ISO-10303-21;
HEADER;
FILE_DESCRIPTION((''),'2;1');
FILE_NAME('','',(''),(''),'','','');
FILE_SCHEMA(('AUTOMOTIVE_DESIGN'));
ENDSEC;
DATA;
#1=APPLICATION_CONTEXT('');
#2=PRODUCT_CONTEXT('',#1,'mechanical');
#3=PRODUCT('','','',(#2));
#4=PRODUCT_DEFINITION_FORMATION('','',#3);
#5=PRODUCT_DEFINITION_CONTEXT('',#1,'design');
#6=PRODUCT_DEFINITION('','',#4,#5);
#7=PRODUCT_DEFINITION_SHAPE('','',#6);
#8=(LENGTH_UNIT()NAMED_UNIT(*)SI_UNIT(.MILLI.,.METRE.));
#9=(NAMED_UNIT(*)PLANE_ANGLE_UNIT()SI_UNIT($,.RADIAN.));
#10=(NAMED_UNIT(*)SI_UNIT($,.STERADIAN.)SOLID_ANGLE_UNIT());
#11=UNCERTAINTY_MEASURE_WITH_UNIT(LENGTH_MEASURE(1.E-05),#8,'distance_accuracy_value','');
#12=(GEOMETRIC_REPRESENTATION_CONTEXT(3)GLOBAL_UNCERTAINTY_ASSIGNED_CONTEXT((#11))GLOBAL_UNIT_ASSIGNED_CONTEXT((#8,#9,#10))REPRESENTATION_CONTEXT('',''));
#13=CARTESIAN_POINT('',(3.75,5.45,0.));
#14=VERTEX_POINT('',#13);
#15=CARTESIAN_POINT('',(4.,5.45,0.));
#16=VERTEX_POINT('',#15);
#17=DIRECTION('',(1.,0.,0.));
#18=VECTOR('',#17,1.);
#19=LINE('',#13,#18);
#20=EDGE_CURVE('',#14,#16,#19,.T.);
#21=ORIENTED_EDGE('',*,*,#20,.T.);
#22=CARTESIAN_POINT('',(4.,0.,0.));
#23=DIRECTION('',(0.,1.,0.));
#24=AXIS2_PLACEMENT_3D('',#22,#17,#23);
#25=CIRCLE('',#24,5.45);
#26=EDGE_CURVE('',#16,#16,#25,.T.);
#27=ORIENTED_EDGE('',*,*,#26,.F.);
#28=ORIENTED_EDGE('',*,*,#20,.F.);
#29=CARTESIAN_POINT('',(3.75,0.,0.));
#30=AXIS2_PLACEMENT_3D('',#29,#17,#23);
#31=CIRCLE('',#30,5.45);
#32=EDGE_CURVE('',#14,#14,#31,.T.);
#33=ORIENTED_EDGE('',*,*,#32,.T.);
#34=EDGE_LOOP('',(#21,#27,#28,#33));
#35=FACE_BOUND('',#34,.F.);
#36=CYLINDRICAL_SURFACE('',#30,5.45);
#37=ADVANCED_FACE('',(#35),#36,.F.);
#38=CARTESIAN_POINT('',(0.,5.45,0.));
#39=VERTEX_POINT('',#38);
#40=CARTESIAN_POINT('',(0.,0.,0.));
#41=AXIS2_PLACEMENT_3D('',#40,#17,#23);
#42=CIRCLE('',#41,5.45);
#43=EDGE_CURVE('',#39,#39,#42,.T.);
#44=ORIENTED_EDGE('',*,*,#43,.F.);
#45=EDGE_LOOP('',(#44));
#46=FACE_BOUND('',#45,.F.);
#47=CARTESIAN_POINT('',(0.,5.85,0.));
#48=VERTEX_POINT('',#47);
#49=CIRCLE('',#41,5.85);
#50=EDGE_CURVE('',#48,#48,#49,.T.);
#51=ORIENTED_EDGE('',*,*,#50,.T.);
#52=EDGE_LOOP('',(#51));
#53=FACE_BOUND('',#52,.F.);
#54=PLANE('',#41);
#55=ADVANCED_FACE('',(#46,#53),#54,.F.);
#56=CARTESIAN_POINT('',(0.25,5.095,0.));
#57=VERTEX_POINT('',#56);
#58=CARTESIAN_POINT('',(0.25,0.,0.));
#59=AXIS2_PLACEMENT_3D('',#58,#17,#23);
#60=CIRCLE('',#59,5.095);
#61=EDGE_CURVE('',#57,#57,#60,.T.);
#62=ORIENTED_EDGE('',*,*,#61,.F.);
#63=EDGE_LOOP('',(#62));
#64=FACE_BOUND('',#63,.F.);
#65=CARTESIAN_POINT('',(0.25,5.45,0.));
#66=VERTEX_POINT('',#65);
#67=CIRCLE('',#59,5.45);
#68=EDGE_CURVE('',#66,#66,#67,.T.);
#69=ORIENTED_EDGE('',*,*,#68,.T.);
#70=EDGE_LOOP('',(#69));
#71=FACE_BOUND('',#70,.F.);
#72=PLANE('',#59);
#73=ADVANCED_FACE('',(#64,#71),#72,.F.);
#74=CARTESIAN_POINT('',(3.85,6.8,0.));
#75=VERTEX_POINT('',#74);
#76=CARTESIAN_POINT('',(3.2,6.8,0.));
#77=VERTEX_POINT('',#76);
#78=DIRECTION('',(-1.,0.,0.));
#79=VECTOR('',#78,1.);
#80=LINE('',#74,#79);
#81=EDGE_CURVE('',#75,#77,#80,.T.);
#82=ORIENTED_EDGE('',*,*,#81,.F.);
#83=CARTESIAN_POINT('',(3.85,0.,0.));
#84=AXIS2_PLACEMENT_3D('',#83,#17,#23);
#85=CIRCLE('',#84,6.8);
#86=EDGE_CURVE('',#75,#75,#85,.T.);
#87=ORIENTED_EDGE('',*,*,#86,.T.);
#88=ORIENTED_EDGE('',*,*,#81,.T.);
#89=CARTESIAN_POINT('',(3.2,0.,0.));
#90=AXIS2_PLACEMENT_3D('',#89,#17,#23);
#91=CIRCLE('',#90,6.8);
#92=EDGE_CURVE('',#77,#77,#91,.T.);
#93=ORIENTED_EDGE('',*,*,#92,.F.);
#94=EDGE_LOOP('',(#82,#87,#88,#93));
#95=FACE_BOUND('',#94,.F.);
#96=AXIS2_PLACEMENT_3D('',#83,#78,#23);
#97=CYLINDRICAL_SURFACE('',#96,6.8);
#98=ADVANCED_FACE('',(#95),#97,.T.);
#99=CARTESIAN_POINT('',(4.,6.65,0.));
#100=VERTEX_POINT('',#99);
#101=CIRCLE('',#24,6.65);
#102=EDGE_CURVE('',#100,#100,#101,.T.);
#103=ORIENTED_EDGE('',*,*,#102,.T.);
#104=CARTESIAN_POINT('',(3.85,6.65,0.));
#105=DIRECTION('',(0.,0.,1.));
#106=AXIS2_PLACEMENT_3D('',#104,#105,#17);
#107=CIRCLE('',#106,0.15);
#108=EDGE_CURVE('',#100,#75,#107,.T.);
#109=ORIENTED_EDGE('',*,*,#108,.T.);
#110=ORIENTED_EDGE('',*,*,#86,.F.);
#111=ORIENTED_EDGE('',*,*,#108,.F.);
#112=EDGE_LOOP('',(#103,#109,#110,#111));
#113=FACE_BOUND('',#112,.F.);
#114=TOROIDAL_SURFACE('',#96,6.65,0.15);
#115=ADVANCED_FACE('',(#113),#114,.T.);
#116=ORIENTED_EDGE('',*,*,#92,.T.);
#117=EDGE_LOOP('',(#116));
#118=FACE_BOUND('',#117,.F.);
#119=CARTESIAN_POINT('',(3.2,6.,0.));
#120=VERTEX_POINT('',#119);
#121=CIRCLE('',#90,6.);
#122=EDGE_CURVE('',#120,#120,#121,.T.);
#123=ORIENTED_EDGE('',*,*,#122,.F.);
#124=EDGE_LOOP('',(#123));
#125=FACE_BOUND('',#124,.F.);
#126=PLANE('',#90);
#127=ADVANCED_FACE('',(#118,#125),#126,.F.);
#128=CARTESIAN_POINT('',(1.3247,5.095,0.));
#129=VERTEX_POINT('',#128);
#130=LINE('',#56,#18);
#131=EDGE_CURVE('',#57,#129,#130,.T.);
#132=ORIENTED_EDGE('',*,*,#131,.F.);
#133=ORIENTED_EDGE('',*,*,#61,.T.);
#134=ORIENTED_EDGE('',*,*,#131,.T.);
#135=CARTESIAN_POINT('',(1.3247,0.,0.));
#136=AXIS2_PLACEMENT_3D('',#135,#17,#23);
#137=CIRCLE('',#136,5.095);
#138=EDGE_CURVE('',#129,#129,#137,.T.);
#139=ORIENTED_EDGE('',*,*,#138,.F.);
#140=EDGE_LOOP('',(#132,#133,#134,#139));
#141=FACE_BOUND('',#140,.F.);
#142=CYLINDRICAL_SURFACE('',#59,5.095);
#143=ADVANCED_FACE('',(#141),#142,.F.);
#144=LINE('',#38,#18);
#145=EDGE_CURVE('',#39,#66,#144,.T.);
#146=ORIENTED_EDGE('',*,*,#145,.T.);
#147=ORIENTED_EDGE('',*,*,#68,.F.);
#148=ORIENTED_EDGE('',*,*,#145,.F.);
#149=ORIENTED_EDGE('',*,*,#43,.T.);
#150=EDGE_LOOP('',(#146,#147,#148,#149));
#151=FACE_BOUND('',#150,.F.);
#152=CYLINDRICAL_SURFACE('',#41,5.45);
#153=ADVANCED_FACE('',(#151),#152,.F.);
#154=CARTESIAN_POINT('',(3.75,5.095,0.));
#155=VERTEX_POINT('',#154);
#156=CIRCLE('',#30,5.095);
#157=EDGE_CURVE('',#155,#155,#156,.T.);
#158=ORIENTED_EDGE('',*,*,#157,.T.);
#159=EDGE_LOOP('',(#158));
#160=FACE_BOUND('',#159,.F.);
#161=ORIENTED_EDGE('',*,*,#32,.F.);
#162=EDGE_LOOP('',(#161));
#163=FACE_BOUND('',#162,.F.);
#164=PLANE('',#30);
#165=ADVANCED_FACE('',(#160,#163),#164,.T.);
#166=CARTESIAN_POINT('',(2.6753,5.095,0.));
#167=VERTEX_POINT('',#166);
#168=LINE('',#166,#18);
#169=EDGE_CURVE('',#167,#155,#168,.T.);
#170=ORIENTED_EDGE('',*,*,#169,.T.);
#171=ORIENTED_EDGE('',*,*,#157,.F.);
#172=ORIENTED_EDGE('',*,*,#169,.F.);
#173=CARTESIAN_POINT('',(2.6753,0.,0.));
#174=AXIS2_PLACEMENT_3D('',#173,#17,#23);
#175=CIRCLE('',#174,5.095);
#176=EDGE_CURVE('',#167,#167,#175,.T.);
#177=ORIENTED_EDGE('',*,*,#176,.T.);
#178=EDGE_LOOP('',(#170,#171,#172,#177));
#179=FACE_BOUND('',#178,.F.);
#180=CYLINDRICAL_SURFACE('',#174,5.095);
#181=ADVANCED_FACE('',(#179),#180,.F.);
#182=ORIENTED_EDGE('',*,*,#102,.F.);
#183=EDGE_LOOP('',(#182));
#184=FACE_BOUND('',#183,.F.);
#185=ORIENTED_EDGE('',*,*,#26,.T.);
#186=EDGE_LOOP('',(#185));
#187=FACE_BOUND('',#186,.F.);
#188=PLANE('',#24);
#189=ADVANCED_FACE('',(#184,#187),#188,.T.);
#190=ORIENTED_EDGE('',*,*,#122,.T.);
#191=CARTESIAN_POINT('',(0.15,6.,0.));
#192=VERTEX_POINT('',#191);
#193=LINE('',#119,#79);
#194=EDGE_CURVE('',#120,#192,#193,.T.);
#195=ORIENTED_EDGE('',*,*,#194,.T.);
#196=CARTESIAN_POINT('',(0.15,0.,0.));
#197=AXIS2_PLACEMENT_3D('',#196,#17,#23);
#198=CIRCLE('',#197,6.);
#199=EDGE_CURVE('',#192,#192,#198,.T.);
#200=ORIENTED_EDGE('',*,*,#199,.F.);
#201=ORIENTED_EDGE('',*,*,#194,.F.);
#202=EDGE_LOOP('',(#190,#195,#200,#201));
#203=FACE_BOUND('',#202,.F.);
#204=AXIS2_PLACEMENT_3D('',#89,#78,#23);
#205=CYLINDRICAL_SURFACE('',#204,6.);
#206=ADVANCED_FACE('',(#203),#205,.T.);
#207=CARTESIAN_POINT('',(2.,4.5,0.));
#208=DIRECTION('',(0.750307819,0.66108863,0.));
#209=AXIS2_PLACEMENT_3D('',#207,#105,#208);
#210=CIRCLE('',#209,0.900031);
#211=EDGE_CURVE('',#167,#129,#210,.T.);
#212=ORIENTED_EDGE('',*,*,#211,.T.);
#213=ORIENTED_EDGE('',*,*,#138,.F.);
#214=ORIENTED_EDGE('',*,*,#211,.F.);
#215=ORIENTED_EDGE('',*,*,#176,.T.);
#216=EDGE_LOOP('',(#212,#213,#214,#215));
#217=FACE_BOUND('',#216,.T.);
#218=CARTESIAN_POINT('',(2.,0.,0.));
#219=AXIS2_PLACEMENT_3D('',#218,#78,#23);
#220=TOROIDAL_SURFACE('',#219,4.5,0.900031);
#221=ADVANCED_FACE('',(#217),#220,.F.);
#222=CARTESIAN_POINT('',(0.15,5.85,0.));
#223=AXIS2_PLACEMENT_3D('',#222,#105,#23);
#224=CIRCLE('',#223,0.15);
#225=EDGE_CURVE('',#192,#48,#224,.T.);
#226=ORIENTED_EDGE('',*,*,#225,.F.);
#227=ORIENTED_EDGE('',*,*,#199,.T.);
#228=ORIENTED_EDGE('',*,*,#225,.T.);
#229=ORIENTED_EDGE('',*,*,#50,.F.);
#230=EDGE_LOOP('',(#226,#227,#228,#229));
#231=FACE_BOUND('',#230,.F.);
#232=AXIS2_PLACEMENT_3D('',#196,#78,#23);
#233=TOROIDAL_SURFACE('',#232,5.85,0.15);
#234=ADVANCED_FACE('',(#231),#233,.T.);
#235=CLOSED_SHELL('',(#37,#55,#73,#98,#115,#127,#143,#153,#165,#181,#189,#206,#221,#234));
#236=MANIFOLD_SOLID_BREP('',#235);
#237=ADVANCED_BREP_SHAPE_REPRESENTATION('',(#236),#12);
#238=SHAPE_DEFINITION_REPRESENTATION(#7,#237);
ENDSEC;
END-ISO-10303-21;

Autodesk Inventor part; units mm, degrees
sketch "Sketch_1" plane through (0, 0, 0) normal (0, 0, 1) x (1, 0, 0)
  line L0 (4, 0) -> (0, 0)
  line L1 (0, 5.45) -> (0.25, 5.45)
  line L2 (0.25, 5.45) -> (0.25, 5.095)
  line L3 (0.25, 5.095) -> (1.3247, 5.095)
  arc A0 (2.6753, 5.095) -> (1.3247, 5.095) centre (2, 4.5) ccw
  line L4 (2.6753, 5.095) -> (3.75, 5.095)
  line L5 (3.75, 5.095) -> (3.75, 5.45)
  line L6 (3.75, 5.45) -> (4, 5.45)
  line L7 (4, 5.45) -> (4, 6.65)
  arc A1 (4, 6.65) -> (3.85, 6.8) centre (3.85, 6.65) ccw
  line L8 (3.85, 6.8) -> (3.2, 6.8)
  line L9 (3.2, 6.8) -> (3.2, 6)
  line L10 (3.2, 6) -> (0.15, 6)
  arc A2 (0.15, 6) -> (0, 5.85) centre (0.15, 5.85) ccw
  line L11 (0, 5.85) -> (0, 5.45)
revolve "Revolution1" add sketch "Sketch_1" angle 360 about axis through (4, 0, 0) along (1, 0, 0)
ref_plane "ip_st_1_XY" through (0, 0, 0) normal (1, 0, 0) x (0, 0, -1)
ref_plane "ip_st_1_YZ" through (0, 0, 0) normal (0, 0, -1) x (0, 1, 0)
ref_plane "ip_st_1_ZX" through (0, 0, 0) normal (0, 1, 0) x (1, 0, 0)
ref_plane "ip_st_2_XY" through (3.75, 0, 0) normal (-1, 0, 0) x (0, 0, -1)
ref_plane "ip_st_2_YZ" through (3.75, 0, 0) normal (0, 0, -1) x (0, -1, 0)
ref_plane "ip_st_2_ZX" through (3.75, 0, 0) normal (0, -1, 0) x (-1, 0, 0)
properties part number "MF126ZZ Outer Ring"
